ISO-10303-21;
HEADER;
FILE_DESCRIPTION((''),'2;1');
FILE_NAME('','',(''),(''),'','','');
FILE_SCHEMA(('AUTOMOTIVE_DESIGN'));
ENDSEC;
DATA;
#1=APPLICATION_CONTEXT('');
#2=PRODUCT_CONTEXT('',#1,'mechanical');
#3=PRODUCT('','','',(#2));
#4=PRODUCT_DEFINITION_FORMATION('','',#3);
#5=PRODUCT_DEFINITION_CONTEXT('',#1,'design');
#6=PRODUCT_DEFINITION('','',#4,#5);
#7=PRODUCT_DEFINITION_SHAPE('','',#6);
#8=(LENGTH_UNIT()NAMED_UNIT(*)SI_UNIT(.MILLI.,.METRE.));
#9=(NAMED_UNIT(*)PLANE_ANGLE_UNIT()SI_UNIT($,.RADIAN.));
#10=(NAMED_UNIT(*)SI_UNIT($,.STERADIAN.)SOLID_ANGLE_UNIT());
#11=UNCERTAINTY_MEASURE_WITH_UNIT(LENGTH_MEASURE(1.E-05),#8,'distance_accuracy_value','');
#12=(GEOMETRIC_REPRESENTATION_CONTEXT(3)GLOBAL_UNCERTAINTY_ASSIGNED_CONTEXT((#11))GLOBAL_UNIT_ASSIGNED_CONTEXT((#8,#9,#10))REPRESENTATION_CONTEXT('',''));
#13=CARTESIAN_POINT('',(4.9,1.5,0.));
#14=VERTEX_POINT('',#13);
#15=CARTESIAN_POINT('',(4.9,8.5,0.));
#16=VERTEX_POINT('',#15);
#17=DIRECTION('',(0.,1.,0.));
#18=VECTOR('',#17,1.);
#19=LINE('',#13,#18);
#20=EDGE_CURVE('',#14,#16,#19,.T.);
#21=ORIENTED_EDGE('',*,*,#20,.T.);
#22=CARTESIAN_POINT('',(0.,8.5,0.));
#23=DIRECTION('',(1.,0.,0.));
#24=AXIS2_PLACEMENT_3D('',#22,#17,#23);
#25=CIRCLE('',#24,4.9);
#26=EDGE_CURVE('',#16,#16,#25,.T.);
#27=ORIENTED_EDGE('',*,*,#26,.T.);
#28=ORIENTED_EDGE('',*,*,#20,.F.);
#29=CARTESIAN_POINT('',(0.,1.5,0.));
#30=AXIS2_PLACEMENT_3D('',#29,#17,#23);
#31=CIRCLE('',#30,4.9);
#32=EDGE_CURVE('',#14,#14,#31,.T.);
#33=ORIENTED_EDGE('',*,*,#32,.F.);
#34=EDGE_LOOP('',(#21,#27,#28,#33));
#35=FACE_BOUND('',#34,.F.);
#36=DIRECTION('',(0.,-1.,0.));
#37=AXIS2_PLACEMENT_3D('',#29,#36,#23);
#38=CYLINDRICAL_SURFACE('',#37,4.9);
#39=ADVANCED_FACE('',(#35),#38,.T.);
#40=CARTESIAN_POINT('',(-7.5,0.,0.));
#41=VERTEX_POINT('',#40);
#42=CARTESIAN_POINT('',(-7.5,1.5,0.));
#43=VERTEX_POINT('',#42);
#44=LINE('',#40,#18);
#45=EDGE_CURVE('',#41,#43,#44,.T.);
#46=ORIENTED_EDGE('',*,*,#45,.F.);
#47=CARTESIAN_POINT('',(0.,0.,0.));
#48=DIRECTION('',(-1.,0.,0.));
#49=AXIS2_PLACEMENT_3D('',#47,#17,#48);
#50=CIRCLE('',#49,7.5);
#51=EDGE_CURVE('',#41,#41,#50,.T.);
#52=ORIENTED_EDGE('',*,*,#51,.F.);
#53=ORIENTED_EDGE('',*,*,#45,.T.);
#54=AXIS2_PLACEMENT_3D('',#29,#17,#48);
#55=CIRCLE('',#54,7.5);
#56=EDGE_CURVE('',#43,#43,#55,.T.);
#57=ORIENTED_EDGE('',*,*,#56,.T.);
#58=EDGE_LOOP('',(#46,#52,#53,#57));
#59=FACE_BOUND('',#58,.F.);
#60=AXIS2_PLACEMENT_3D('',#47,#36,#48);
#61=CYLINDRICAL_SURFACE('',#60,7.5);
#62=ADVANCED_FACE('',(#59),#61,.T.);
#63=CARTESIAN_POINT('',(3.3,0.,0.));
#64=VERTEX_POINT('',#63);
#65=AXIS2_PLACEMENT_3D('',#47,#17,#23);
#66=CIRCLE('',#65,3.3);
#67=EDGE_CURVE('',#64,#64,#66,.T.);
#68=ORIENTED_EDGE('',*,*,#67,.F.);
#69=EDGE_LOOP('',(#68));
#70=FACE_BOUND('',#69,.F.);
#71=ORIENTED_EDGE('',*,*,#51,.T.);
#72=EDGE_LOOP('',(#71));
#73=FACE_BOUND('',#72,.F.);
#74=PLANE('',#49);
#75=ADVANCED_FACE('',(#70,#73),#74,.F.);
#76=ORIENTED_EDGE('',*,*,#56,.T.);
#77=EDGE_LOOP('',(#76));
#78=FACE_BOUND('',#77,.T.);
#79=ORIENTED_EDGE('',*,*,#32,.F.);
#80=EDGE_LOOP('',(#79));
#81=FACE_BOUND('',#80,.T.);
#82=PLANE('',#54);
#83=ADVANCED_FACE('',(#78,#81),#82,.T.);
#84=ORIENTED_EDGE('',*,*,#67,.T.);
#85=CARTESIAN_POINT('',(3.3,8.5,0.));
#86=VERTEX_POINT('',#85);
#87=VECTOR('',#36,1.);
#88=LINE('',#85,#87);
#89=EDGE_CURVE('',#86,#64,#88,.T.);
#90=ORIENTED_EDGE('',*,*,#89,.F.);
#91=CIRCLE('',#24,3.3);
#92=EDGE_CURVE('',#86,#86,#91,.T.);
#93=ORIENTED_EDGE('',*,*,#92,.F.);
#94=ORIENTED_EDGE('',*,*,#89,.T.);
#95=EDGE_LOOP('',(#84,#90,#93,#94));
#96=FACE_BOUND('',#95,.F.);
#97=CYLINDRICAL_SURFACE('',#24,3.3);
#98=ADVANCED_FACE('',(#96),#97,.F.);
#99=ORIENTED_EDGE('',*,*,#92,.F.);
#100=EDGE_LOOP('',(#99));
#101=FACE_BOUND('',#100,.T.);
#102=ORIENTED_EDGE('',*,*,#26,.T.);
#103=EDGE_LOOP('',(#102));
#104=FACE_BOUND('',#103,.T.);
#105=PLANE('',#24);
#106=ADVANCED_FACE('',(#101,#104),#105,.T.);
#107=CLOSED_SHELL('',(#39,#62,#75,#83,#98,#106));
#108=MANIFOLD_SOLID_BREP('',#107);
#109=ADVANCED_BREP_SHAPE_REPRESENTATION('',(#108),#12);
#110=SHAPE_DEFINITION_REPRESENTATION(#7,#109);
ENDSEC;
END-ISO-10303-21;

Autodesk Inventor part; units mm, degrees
ref_plane "YZ Plane" through (0, 0, 0) normal (1, 0, 0) x (0, 1, 0)
ref_plane "XZ Plane" through (0, 0, 0) normal (0, 1, 0) x (-1, 0, 0)
ref_plane "XY Plane" through (0, 0, 0) normal (0, 0, 1) x (1, 0, 0)
sketch "Эскиз1" plane through (0, 0, 0) normal (0, 1, 0) x (-1, 0, 0)
  circle A0 centre (0, 0) radius 7.5
  dimension "d0" = 15
extrude "Выдавливание1" add sketch "Эскиз1" along normal blind 1.5
sketch "Эскиз2" plane through (0, 1.5, 0) normal (0, 1, 0) x (1, 0, 0)
  circle A0 centre (0, 0) radius 7.5 projected
  circle A1 centre (0, 0) radius 4.9
  dimension "d3" = 9.8
extrude "Выдавливание2" add sketch "Эскиз2" along normal blind 7 contours A1
sketch "Эскиз4" plane through (0, 8.5, 0) normal (0, 1, 0) x (1, 0, 0)
  circle A0 centre (0, 0) radius 4.9 projected
  circle A1 centre (0, 0) radius 3.3
  dimension "d9" = 6.6
extrude "Выдавливание4" cut sketch "Эскиз4" against normal through all contours A1
properties part number "Шайба_Уплотнитель"
